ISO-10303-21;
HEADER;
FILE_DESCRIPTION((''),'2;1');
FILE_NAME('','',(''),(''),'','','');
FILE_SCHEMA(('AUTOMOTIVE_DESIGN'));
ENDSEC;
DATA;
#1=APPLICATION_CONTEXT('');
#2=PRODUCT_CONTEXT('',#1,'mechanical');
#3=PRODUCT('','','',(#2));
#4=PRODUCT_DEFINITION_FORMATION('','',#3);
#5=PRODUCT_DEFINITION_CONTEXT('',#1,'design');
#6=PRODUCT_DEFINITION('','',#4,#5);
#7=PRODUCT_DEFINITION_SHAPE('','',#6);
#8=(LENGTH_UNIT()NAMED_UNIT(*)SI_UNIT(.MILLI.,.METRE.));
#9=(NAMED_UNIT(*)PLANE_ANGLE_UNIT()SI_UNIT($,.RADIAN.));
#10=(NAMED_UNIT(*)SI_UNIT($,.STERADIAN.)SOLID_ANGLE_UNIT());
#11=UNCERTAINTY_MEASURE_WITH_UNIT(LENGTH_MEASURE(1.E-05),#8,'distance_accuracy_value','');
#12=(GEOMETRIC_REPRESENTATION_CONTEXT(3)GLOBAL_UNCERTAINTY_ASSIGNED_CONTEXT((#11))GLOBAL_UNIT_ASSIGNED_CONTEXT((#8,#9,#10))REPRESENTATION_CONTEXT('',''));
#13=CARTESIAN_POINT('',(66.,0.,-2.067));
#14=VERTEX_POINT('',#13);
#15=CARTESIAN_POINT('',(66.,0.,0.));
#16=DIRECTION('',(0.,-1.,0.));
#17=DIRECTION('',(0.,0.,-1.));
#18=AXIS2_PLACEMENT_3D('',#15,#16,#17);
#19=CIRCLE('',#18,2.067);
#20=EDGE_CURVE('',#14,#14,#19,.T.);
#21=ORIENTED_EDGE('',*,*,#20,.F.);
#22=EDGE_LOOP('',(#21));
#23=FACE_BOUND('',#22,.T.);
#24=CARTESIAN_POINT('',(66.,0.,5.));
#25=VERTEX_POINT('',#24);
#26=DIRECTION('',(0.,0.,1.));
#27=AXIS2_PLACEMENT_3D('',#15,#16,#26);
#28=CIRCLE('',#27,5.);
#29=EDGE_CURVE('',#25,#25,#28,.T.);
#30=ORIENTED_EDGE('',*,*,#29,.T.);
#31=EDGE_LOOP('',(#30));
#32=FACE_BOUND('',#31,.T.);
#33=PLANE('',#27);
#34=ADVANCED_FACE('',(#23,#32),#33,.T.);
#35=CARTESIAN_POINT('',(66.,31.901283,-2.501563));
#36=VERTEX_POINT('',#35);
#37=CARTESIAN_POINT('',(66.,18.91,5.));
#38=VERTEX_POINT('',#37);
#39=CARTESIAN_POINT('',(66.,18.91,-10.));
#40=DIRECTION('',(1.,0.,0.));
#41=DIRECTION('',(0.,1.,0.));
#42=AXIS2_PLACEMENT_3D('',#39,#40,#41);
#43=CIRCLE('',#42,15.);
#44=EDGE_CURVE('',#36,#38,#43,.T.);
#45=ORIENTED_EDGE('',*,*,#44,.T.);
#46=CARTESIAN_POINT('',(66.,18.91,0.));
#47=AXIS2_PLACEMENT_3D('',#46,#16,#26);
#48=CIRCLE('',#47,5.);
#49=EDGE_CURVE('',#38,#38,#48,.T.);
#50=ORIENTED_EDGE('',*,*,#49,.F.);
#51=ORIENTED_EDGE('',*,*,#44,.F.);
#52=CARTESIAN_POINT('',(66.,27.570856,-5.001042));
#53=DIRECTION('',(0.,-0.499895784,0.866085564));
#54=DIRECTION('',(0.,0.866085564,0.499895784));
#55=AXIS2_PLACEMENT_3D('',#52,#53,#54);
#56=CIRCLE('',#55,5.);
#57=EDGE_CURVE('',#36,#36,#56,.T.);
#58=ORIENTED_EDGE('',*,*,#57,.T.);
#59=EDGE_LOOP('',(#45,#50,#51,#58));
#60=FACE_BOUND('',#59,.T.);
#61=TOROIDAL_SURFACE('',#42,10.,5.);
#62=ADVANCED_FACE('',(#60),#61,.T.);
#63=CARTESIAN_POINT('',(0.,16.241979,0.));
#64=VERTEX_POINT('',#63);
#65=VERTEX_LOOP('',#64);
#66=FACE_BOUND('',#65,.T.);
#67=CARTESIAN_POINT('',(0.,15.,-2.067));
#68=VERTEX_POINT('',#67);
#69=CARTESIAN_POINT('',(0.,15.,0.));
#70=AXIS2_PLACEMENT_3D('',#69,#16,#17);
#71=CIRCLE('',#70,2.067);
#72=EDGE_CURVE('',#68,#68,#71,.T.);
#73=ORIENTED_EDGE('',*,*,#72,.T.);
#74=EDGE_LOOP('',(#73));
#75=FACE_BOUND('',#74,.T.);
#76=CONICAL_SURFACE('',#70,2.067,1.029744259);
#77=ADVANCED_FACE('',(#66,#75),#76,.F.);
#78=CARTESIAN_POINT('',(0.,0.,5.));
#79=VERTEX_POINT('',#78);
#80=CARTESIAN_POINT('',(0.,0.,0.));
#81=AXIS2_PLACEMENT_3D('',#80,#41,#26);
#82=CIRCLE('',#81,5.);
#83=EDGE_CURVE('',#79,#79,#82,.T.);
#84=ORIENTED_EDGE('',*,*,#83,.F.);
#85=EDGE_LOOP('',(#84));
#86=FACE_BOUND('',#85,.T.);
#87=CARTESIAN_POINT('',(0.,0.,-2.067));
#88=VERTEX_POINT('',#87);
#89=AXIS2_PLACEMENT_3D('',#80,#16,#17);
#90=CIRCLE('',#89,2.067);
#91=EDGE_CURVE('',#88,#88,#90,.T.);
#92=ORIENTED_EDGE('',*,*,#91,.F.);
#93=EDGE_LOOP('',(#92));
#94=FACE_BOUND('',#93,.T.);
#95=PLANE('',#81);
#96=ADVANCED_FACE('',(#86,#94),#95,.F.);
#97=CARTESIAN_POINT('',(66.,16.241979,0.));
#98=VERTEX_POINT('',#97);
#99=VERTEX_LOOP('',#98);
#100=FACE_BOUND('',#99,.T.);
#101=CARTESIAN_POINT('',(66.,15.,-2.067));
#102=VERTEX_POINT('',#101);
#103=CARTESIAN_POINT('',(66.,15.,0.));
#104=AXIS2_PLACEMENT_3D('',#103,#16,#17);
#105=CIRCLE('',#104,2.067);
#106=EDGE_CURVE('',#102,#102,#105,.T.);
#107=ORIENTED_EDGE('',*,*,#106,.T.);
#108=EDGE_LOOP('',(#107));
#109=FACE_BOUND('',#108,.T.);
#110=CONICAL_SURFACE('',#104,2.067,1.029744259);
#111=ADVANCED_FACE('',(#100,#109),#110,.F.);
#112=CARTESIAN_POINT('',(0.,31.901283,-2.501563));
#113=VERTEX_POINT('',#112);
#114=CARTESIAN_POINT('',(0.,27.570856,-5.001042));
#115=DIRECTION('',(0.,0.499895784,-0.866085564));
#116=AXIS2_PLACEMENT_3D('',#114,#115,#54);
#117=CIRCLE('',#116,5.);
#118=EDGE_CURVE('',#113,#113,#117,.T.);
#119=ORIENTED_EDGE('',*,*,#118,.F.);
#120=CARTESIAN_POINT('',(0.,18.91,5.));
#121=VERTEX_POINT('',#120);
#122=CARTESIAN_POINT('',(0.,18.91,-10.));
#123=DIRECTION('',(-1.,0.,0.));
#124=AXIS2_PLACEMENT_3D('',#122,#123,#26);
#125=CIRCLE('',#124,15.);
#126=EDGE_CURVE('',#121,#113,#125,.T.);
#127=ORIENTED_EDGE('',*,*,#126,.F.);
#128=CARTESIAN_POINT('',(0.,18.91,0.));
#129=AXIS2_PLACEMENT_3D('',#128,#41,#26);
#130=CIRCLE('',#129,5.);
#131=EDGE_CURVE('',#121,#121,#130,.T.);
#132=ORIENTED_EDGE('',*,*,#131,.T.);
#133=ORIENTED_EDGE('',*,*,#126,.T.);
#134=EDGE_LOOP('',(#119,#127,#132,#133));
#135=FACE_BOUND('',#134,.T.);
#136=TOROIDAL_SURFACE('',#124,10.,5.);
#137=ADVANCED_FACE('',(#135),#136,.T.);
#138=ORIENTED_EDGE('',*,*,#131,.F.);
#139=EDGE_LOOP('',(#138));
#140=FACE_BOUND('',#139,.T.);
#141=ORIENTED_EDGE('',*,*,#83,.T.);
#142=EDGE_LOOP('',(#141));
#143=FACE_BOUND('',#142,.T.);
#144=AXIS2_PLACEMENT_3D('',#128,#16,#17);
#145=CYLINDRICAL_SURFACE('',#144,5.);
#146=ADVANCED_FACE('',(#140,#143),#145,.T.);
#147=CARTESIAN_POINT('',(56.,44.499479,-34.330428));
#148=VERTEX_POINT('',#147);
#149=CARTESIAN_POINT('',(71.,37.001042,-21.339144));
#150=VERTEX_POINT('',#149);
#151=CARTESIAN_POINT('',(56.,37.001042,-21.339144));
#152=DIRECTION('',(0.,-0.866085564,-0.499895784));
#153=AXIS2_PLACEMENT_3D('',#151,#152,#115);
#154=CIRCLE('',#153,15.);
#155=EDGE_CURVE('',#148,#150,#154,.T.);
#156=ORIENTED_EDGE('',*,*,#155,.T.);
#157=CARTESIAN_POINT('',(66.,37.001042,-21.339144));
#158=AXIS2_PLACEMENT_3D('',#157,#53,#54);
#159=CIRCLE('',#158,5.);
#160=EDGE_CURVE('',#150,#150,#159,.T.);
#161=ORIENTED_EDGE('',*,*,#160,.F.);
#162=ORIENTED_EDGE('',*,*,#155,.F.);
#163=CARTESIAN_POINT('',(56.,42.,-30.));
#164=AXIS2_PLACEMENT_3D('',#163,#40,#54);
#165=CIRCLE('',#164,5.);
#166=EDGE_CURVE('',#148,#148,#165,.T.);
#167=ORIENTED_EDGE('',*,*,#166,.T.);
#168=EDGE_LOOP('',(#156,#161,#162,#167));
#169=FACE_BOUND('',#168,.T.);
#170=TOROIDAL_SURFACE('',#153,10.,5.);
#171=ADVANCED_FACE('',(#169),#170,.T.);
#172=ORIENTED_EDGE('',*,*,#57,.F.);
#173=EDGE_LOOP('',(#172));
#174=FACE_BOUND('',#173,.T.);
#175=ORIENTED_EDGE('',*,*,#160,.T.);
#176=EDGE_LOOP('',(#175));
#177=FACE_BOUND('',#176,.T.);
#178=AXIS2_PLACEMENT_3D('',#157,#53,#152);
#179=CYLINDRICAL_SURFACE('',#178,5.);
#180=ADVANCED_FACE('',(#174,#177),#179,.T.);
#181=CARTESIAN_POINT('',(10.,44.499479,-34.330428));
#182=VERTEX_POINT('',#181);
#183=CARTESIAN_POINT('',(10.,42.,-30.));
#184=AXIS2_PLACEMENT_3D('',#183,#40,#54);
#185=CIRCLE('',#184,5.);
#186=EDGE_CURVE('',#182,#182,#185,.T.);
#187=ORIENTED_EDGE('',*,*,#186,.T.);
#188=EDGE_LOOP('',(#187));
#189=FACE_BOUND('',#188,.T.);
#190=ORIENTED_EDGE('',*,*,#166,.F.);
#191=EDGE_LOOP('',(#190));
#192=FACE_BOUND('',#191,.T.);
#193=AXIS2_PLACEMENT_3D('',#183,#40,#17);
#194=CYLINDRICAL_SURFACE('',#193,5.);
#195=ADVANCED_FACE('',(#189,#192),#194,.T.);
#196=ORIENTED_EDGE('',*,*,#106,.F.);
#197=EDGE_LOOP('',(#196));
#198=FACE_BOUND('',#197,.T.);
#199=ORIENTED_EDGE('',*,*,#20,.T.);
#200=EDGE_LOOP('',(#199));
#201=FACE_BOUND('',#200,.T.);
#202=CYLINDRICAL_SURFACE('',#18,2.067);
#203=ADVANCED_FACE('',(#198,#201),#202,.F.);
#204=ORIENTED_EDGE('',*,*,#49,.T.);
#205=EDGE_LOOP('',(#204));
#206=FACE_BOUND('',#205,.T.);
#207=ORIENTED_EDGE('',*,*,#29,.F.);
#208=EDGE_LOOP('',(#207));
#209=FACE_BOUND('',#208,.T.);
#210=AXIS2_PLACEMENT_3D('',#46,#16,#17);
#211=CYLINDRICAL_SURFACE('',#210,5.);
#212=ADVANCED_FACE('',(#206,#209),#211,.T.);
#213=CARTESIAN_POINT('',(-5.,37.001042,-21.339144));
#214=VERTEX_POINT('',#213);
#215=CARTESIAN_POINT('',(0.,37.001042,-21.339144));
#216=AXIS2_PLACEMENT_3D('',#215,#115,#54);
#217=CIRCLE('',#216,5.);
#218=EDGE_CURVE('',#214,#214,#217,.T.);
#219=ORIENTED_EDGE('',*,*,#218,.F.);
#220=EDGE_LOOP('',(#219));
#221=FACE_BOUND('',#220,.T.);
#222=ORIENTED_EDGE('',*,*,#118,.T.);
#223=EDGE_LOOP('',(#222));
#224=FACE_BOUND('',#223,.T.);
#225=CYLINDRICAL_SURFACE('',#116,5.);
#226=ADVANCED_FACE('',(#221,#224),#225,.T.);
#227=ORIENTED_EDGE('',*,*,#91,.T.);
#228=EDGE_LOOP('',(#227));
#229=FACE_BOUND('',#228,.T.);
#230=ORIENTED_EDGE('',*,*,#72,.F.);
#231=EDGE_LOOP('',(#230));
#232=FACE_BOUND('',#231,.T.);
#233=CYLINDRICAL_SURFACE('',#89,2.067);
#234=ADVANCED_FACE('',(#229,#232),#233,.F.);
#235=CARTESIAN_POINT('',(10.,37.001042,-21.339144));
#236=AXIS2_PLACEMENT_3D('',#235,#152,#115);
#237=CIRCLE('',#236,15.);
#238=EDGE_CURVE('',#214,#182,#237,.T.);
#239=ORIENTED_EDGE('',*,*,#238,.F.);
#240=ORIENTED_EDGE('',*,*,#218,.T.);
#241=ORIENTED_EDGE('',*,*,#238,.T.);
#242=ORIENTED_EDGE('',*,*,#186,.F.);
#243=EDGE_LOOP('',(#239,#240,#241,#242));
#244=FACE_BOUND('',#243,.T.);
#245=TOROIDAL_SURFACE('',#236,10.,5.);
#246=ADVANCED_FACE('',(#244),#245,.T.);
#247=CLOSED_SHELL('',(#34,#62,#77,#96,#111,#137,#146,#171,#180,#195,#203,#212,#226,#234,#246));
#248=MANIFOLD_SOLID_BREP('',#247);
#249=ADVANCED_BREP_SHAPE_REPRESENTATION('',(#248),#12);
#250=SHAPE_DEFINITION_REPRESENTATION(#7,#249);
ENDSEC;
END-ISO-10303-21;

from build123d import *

# Parameters (mm, degrees)
SKETCH2_R  = 5
TAP1_D     = 4.134
TAP1_DEPTH = 15
TAP1_TIP   = 1.2419789


with BuildPart() as part:
    # Sweep1: sweep along a curve in space
    with BuildLine() as sweep1_path:
        Line((0, 0, 0), (0, 18.91, 0))
        ThreePointArc((0, 18.91, 0), (0, 23.910521052, -1.340046813), (0, 27.570855645, -5.001042158))
        Line((0, 27.570855645, -5.001042158), (0, 37.001042158, -21.339144355))
        ThreePointArc((0, 37.001042158, -21.339144355), (2.928932188, 40.535839147, -27.463294113), (10, 42, -30))
        Line((10, 42, -30), (56, 42, -30))
        ThreePointArc((66, 37.001042158, -21.339144355), (63.071067812, 40.535839147, -27.463294113), (56, 42, -30))
        Line((66, 37.001042158, -21.339144355), (66, 27.570855645, -5.001042158))
        ThreePointArc((66, 18.91, 0), (66, 23.910521052, -1.340046813), (66, 27.570855645, -5.001042158))
        Line((66, 18.91, 0), (66, 0, 0))
    # Sketch2 → Sweep1 (sweep)
    with BuildSketch(Plane(origin=(0, 0, 0), x_dir=(1, 0, 0), z_dir=(0, 1, 0))):
        Circle(SKETCH2_R)
    sweep(path=sweep1_path.line)

    # Tap1
    with Locations(Plane(origin=(0, 0, 0), x_dir=(-1, 0, 0), z_dir=(0, -1, 0))):
        with Locations((0, 0), (-66, 0)):
            Hole(TAP1_D / 2, depth=TAP1_DEPTH)
            with Locations((0, 0, -(TAP1_DEPTH + TAP1_TIP / 2))):  # 118° drill point
                Cone(0, TAP1_D / 2, TAP1_TIP, mode=Mode.SUBTRACT)


solid = part.part
